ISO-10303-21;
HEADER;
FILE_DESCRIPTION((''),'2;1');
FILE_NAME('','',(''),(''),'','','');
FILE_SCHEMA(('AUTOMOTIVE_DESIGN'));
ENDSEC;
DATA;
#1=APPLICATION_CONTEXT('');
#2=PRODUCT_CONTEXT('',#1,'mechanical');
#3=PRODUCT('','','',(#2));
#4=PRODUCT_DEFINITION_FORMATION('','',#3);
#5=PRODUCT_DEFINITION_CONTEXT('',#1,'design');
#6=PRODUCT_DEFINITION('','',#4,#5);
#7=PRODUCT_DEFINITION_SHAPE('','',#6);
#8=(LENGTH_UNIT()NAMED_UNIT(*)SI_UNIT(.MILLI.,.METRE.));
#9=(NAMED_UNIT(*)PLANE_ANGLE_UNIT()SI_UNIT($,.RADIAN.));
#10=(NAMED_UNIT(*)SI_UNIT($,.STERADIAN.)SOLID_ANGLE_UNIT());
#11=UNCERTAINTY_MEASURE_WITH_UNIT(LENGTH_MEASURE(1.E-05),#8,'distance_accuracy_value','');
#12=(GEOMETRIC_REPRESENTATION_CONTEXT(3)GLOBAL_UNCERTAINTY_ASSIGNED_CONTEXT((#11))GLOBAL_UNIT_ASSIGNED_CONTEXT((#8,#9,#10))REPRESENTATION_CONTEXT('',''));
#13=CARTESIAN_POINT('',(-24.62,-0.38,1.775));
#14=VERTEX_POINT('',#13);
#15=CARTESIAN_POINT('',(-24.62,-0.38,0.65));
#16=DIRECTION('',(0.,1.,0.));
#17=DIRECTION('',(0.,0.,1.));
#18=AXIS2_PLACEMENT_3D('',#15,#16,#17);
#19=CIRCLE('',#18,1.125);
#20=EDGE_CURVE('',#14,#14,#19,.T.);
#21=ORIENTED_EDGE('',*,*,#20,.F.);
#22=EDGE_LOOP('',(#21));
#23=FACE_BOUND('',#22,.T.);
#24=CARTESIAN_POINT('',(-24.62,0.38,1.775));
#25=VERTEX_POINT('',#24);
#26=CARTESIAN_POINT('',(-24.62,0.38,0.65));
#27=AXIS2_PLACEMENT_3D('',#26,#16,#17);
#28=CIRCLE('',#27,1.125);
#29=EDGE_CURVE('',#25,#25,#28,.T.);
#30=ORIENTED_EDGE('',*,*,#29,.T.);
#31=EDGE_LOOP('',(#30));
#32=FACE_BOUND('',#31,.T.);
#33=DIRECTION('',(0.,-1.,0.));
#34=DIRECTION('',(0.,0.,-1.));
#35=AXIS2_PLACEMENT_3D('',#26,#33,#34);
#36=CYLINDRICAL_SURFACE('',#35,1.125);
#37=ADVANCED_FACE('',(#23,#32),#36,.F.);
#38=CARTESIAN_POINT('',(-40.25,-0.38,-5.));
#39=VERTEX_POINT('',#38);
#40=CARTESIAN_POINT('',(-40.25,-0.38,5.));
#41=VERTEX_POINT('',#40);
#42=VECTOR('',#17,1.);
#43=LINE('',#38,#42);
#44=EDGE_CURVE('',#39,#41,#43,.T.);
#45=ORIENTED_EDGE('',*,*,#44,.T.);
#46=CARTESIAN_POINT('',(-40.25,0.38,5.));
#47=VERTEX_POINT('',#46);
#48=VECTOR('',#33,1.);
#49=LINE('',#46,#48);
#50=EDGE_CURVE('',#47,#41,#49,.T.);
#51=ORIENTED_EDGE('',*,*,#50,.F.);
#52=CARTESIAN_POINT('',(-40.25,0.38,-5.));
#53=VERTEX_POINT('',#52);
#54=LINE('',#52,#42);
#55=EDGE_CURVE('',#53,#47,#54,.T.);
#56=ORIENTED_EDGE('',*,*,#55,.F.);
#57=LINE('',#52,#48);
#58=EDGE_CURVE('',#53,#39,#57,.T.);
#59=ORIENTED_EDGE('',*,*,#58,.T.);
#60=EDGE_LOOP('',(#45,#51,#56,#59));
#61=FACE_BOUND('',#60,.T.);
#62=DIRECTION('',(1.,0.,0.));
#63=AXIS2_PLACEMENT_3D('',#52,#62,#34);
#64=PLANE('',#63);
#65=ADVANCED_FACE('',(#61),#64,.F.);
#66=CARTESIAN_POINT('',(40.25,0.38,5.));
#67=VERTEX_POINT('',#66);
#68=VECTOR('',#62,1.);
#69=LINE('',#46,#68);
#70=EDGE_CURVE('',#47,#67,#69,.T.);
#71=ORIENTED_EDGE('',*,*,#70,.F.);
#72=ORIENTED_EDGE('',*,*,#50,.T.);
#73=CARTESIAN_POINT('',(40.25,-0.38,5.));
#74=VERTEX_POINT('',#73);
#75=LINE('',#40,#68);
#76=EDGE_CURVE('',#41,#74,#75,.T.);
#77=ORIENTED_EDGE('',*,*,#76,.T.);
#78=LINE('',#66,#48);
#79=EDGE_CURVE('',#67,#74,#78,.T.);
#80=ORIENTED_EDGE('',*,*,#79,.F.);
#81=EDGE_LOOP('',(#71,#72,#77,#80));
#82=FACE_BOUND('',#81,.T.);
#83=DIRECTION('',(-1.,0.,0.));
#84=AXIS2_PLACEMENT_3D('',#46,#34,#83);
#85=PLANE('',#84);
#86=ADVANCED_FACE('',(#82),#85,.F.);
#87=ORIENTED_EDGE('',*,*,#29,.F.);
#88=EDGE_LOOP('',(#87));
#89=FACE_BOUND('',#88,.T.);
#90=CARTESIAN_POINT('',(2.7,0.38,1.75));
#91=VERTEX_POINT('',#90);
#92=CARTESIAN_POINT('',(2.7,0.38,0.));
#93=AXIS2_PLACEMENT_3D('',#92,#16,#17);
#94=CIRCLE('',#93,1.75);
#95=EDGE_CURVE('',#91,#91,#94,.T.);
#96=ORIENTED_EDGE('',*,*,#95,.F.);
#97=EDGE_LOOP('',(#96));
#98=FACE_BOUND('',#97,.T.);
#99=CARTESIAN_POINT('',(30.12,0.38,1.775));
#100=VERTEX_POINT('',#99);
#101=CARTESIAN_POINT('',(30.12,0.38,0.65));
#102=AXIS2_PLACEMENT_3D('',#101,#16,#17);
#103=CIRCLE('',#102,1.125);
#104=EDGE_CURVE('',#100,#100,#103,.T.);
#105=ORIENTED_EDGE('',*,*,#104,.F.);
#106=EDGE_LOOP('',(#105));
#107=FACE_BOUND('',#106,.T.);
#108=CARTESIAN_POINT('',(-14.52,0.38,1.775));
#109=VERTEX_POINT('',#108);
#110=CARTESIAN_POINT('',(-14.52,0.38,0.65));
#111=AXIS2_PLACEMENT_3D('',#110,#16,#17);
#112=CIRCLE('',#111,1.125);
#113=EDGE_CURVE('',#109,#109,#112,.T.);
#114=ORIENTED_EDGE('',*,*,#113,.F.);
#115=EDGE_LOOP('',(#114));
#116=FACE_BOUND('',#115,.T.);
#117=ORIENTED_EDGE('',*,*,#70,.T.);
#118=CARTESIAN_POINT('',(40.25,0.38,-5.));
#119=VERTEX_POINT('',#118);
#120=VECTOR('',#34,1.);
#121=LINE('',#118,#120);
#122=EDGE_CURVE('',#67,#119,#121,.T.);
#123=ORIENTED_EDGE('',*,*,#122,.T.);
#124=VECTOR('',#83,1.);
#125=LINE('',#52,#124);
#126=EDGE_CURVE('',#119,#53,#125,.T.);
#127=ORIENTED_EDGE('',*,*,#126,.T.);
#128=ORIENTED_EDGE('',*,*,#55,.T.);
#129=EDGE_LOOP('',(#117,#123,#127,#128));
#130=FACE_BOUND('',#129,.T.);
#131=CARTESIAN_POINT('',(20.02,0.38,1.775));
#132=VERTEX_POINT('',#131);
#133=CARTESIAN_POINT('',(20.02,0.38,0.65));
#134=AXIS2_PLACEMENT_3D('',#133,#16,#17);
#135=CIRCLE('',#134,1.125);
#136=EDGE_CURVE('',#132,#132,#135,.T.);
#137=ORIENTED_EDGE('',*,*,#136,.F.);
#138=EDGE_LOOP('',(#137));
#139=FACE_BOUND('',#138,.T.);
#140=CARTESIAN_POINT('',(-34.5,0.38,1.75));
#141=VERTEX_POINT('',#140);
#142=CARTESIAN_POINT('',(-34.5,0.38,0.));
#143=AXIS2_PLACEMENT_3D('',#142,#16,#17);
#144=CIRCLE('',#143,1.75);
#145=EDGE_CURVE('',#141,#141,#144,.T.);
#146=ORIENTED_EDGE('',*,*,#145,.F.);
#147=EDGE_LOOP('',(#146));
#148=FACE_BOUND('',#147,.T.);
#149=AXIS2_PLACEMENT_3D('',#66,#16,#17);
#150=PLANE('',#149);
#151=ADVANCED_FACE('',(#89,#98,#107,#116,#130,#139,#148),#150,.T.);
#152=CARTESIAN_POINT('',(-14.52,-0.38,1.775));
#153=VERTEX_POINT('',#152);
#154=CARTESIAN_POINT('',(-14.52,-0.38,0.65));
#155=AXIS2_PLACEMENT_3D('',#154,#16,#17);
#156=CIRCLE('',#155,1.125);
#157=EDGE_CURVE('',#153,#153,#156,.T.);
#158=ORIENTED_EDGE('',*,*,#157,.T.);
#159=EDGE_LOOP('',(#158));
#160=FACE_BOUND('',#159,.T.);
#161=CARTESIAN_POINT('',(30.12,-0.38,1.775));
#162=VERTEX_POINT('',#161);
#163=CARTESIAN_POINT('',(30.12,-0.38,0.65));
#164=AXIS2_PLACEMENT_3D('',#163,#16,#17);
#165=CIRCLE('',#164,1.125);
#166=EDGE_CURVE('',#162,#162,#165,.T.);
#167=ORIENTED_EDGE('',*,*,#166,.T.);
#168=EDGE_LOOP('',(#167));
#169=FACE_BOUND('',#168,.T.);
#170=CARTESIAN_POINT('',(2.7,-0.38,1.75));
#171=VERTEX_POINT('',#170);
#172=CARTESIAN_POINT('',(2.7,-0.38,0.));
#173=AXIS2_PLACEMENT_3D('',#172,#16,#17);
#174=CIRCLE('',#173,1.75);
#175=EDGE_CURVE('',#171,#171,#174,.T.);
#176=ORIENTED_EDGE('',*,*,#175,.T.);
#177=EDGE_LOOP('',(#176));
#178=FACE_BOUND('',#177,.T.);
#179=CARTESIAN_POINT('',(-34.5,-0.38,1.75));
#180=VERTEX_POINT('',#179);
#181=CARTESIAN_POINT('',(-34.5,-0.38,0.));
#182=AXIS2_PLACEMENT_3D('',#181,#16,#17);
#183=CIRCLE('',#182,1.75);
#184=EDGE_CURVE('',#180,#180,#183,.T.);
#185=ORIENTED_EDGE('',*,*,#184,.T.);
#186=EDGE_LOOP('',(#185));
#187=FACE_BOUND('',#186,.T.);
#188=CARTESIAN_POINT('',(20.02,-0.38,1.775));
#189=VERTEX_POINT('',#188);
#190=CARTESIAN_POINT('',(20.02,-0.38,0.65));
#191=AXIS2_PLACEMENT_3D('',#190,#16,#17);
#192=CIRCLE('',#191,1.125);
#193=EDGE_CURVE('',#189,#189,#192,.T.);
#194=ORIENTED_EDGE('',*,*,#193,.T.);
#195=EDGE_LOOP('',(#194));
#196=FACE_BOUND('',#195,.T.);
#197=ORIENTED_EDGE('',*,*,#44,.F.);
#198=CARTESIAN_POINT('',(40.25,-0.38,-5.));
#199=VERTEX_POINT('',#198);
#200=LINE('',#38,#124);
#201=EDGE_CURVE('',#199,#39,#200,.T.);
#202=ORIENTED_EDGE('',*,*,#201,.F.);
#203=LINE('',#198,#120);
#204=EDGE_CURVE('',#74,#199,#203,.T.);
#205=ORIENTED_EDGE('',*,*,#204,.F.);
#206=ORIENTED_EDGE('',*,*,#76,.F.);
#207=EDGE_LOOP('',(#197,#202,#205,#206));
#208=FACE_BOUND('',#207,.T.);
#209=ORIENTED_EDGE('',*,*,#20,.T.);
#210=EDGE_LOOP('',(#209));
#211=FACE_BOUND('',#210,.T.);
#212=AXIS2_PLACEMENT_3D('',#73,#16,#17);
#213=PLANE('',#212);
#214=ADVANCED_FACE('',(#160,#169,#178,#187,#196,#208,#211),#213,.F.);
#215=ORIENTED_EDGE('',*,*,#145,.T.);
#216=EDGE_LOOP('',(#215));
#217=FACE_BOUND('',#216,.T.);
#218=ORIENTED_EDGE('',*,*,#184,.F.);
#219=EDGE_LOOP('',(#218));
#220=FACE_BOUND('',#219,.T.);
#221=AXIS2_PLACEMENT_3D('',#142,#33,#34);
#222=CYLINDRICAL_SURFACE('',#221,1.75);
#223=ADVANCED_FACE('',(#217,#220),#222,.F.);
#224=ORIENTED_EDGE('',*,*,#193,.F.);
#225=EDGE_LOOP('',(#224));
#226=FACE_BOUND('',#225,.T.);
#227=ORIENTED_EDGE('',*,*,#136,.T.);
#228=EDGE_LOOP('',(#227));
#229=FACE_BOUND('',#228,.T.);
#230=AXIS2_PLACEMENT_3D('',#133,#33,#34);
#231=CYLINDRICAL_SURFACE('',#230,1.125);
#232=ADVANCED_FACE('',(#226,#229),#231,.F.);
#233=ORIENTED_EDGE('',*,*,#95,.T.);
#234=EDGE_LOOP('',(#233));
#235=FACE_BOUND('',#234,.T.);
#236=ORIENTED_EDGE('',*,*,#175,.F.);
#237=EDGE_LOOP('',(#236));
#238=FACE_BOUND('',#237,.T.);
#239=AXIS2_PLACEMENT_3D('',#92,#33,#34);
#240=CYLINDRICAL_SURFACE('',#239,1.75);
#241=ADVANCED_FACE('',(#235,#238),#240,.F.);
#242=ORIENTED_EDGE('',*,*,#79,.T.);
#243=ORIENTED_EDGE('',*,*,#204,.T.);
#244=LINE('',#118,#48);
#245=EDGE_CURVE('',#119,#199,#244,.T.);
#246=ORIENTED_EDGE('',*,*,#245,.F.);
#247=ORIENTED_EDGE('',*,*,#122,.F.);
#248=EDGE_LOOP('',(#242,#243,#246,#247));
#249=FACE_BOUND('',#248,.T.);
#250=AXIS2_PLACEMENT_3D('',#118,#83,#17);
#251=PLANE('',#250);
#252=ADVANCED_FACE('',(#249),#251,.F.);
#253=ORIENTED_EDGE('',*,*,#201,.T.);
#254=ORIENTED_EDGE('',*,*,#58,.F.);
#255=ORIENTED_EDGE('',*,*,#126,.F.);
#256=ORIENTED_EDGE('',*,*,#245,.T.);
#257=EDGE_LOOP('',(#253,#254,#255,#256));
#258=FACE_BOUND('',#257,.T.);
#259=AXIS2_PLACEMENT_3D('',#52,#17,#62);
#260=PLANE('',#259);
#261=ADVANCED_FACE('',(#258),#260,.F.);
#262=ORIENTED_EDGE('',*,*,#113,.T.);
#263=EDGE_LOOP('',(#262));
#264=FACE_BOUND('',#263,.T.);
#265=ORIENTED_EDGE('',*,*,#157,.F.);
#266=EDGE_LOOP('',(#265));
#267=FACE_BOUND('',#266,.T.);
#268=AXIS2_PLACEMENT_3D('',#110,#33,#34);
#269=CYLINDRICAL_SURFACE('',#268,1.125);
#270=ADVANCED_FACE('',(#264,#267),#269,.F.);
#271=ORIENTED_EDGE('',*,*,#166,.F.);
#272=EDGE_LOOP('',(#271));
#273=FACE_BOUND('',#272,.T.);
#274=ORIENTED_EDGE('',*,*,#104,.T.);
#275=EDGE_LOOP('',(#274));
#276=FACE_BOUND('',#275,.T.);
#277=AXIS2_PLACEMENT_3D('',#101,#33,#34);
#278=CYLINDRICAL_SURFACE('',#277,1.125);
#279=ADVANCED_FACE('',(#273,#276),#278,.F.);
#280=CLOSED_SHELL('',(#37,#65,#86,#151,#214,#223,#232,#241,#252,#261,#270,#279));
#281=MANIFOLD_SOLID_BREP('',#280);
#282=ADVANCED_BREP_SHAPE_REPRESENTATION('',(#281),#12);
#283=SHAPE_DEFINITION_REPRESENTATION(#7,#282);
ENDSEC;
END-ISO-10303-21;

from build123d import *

# Parameters (mm, degrees)
SKETCH1_W           = 80.5
SKETCH1_H           = 10
SKETCH1_R           = 1.75
SKETCH1_R_2         = 1.125
BOSS_EXTRUDE1_DEPTH = 0.38


with BuildPart() as part:
    # Sketch1 → Boss-Extrude1 (new body, symmetric)
    with BuildSketch(Plane(origin=(0, 0, 0), x_dir=(1, 0, 0), z_dir=(0, 1, 0))):
        Rectangle(SKETCH1_W, SKETCH1_H)
        with Locations(Location((-34.5, 0, 0), (0, 0, 270))):  # turned: the seam where the file's is
            Circle(SKETCH1_R, mode=Mode.SUBTRACT)
        with Locations(Location((-14.52, -0.65, 0), (0, 0, 270))):  # turned: the seam where the file's is
            Circle(SKETCH1_R_2, mode=Mode.SUBTRACT)
        with Locations(Location((-24.62, -0.65, 0), (0, 0, 270))):  # turned: the seam where the file's is
            Circle(SKETCH1_R_2, mode=Mode.SUBTRACT)
        with Locations(Location((2.7, 0, 0), (0, 0, 270))):  # turned: the seam where the file's is
            Circle(SKETCH1_R, mode=Mode.SUBTRACT)
        with Locations(Location((20.02, -0.65, 0), (0, 0, 270))):  # turned: the seam where the file's is
            Circle(SKETCH1_R_2, mode=Mode.SUBTRACT)
        with Locations(Location((30.12, -0.65, 0), (0, 0, 270))):  # turned: the seam where the file's is
            Circle(SKETCH1_R_2, mode=Mode.SUBTRACT)
    extrude(amount=BOSS_EXTRUDE1_DEPTH, both=True)


solid = part.part
